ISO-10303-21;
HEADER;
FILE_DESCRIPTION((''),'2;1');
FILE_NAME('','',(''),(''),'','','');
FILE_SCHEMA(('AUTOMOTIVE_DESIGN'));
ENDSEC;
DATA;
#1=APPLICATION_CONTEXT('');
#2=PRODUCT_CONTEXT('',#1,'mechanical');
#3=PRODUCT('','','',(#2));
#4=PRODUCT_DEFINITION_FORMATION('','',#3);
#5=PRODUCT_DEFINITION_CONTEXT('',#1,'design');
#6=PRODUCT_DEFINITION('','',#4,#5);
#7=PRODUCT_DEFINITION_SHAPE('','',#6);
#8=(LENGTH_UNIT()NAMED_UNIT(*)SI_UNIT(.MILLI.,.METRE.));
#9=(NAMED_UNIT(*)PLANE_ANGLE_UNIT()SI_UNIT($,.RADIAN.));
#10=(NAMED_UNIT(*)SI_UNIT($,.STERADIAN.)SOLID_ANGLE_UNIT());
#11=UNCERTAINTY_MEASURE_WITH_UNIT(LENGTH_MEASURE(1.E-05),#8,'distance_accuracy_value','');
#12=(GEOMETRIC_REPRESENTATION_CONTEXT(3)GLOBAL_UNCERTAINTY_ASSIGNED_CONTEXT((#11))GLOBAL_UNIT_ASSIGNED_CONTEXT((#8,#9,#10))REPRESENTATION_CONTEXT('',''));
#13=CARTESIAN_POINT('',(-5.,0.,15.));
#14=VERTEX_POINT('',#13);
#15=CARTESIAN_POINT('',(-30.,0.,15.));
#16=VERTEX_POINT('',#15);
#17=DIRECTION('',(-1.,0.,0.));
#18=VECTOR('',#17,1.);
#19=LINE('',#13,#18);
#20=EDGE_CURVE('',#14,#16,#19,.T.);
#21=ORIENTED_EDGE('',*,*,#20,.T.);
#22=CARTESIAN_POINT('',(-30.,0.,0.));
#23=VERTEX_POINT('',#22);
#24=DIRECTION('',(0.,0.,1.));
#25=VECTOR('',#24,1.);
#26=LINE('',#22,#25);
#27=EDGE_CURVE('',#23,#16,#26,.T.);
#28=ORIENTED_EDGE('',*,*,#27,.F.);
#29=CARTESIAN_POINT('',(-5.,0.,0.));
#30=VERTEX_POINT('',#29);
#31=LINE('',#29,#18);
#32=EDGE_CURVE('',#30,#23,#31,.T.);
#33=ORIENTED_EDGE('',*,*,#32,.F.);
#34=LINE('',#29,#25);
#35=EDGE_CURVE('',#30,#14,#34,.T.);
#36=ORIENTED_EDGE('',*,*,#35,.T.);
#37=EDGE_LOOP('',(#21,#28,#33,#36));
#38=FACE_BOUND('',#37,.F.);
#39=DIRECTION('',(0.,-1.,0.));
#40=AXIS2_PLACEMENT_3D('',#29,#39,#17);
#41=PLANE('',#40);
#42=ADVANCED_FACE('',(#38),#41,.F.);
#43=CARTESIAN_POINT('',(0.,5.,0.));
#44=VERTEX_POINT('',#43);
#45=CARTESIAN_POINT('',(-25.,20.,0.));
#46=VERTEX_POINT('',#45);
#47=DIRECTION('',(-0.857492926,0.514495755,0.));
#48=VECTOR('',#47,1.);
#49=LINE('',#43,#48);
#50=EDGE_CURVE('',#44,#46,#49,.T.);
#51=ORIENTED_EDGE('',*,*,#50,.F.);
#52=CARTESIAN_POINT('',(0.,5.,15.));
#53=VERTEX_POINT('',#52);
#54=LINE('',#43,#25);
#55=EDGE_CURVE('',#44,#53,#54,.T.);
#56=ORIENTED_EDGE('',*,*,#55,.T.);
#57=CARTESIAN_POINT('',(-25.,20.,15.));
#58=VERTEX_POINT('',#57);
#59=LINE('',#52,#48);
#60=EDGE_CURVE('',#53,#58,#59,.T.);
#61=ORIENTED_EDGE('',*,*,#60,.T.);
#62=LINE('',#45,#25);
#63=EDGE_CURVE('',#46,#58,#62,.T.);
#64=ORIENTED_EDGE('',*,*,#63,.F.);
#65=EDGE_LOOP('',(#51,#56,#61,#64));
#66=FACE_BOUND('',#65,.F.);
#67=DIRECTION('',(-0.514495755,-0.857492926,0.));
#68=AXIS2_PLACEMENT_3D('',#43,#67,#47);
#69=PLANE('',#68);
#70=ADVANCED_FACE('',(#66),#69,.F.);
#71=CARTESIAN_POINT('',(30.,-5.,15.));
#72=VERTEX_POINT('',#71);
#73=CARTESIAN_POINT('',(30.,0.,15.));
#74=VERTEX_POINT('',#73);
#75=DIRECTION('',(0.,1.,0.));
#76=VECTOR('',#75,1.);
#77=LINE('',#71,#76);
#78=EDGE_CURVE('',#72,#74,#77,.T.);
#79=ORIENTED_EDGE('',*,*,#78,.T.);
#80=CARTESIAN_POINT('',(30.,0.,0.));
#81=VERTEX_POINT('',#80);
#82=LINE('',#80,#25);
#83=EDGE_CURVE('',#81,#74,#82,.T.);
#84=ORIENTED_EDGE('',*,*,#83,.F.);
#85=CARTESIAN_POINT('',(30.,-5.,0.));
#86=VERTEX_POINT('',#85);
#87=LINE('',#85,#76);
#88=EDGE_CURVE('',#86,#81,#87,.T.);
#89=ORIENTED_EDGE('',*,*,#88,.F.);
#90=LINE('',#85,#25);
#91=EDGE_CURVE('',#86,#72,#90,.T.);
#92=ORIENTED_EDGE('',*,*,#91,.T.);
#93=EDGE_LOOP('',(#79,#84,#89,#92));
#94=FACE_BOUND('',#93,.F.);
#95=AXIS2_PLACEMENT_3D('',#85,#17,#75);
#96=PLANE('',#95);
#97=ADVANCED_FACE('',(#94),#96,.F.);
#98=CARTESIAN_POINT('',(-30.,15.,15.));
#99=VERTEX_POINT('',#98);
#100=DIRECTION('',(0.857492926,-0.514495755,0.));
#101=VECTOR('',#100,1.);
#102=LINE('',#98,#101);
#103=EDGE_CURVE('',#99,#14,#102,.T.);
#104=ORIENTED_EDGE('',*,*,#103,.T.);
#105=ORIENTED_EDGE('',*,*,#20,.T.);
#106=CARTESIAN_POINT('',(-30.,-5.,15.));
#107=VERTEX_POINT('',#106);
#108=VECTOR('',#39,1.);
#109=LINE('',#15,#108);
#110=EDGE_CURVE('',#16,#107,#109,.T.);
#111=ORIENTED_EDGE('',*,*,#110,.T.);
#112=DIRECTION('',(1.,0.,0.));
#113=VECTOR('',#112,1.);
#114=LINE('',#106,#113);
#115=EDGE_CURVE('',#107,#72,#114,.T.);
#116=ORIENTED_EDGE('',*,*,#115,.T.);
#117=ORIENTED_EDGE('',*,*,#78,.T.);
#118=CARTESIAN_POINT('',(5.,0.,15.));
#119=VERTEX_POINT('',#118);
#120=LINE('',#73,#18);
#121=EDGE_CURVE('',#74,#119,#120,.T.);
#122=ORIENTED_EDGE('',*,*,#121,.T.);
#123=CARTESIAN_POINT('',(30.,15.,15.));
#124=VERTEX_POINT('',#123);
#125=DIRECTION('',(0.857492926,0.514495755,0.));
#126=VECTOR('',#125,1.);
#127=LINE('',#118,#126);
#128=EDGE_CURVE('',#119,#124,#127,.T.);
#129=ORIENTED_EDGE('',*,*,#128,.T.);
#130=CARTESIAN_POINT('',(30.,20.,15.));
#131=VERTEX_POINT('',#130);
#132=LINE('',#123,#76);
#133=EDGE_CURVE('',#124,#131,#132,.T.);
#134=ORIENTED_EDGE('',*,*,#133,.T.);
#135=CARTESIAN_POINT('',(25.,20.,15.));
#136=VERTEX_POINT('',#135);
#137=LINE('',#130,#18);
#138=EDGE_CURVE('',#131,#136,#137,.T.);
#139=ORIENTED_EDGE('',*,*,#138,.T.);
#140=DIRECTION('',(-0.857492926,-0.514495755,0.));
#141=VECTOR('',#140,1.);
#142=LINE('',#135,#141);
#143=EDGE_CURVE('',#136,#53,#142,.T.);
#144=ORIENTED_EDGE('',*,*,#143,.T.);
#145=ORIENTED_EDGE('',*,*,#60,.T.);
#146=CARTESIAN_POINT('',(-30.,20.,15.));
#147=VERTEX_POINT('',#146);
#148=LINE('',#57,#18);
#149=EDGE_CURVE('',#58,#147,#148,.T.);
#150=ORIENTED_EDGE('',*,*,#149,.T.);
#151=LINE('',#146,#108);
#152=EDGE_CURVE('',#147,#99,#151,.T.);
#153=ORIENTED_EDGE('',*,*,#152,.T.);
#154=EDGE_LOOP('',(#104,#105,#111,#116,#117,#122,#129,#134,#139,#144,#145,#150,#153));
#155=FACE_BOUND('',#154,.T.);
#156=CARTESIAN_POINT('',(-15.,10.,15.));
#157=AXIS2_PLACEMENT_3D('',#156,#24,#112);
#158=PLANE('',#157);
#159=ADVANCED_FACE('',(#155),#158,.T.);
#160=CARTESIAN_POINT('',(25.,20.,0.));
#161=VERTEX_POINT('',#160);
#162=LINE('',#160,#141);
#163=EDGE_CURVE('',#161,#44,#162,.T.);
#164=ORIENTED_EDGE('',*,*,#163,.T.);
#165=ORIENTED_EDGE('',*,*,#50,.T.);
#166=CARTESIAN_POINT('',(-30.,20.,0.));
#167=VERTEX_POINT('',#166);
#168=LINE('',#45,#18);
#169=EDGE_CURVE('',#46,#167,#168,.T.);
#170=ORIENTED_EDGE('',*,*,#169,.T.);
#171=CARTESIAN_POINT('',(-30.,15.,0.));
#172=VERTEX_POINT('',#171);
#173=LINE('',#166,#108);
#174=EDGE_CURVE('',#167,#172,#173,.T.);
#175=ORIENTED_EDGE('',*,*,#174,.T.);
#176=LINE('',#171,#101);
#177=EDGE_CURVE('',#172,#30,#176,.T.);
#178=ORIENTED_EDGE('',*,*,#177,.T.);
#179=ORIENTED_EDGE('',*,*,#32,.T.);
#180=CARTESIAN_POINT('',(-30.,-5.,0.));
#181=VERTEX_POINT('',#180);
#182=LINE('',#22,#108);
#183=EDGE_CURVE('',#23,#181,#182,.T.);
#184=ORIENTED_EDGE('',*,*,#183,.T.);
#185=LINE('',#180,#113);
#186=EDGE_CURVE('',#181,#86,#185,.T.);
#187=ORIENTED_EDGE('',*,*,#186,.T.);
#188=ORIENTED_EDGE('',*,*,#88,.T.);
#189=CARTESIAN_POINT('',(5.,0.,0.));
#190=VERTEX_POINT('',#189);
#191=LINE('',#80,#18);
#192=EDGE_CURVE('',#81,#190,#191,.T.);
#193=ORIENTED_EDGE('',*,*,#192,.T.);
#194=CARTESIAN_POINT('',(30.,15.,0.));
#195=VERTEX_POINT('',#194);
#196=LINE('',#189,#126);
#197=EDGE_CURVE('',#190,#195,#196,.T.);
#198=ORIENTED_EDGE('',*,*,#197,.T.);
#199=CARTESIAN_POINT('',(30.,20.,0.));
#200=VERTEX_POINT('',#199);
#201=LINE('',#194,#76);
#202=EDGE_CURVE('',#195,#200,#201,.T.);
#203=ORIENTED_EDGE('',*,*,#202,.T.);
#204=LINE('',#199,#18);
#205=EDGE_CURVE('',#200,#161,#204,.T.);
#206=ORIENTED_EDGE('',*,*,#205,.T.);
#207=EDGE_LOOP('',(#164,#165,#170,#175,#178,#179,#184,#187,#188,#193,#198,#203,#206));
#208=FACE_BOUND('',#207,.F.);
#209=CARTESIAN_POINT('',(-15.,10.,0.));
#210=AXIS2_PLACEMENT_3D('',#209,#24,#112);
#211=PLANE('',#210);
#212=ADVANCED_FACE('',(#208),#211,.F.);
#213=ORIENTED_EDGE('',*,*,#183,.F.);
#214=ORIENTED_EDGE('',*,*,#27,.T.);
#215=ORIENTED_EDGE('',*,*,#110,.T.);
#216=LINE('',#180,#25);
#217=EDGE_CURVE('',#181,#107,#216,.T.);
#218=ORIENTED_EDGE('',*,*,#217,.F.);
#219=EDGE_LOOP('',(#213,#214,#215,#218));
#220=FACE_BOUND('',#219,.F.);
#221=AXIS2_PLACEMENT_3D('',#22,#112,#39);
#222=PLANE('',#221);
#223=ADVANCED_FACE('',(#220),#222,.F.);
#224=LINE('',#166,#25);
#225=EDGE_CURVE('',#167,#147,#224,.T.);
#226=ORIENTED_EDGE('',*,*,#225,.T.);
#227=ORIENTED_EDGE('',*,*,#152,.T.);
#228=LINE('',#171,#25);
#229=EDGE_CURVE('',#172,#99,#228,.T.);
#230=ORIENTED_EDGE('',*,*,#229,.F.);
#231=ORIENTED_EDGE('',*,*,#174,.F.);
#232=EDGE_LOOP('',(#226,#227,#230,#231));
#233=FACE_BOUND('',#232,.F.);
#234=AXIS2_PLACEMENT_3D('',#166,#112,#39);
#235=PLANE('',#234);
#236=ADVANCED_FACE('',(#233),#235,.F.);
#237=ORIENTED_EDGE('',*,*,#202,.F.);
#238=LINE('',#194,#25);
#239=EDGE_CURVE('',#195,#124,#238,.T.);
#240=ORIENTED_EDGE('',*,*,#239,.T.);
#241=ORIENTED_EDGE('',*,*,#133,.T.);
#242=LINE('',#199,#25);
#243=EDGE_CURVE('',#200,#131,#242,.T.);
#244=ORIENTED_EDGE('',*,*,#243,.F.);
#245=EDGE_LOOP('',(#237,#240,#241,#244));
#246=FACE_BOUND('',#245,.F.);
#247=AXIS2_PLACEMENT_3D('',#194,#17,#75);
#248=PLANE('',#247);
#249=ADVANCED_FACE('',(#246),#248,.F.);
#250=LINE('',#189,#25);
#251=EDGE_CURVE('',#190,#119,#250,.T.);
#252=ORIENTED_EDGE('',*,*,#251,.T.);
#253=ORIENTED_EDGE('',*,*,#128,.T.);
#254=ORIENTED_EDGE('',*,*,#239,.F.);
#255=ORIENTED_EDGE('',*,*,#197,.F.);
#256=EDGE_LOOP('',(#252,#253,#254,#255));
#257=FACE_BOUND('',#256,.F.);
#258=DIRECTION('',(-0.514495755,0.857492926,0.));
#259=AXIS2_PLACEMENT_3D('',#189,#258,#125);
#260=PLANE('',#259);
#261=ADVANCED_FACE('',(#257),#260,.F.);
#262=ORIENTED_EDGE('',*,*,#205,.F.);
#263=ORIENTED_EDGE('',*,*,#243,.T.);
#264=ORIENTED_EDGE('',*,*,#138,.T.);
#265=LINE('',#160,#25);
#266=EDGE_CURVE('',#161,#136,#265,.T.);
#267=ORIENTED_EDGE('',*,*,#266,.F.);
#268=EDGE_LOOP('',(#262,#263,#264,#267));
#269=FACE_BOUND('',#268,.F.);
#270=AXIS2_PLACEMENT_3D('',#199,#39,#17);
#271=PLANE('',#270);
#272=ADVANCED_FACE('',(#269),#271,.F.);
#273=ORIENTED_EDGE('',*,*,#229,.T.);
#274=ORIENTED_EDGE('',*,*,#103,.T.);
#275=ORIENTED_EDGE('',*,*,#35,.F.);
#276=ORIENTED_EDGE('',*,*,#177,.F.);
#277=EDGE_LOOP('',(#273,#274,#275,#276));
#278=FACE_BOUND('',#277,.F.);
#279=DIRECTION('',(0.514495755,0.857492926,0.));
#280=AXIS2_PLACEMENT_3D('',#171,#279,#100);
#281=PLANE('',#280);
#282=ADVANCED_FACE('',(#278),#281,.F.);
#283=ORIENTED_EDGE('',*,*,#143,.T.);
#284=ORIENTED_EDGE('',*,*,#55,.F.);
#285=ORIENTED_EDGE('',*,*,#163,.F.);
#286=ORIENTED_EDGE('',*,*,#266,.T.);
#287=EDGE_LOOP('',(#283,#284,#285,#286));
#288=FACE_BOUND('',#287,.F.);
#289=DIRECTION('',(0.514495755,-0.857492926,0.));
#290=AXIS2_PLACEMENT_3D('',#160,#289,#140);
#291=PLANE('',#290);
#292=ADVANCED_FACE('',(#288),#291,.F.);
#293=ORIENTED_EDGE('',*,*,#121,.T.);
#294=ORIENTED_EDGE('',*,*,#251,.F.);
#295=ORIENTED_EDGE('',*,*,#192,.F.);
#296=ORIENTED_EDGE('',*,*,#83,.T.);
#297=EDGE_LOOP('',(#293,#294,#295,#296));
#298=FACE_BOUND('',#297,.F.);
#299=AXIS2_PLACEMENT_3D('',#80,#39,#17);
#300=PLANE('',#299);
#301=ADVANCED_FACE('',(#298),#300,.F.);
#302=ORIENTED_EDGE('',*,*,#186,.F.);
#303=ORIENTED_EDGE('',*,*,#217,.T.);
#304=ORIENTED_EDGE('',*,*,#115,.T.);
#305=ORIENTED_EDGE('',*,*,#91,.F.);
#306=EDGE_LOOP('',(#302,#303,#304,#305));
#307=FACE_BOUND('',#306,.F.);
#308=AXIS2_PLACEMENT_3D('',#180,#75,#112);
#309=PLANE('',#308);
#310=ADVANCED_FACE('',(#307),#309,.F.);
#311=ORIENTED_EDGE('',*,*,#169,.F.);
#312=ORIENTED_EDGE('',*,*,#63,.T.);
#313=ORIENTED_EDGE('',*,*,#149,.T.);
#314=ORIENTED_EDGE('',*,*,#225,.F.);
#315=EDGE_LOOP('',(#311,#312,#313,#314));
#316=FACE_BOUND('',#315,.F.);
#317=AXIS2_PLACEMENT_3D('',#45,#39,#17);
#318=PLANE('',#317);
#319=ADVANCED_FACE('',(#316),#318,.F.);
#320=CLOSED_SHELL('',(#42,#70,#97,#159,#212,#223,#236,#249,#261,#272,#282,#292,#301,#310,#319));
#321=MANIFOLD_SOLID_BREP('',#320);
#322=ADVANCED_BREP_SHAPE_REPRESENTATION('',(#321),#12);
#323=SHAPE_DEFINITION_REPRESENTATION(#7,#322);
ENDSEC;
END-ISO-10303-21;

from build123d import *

# Parameters (mm, degrees)
F1_DEPTH = 15


with BuildPart() as f1:
    # F0 (on Top) → F1 (new body)
    with BuildSketch(Plane.XY):
        Polygon((-5, 0), (0, 0), (0, 5), (-25, 20), (-30, 20), (-30, 15), align=None)
        Polygon((0, 5), (0, 0), (5, 0), (30, 15), (30, 20), (25, 20), align=None)
        Polygon((5, 0), (0, 0), (-5, 0), (-30, 0), (-30, -5), (30, -5), (30, 0), align=None)
    extrude(amount=F1_DEPTH)


solid = f1.part
